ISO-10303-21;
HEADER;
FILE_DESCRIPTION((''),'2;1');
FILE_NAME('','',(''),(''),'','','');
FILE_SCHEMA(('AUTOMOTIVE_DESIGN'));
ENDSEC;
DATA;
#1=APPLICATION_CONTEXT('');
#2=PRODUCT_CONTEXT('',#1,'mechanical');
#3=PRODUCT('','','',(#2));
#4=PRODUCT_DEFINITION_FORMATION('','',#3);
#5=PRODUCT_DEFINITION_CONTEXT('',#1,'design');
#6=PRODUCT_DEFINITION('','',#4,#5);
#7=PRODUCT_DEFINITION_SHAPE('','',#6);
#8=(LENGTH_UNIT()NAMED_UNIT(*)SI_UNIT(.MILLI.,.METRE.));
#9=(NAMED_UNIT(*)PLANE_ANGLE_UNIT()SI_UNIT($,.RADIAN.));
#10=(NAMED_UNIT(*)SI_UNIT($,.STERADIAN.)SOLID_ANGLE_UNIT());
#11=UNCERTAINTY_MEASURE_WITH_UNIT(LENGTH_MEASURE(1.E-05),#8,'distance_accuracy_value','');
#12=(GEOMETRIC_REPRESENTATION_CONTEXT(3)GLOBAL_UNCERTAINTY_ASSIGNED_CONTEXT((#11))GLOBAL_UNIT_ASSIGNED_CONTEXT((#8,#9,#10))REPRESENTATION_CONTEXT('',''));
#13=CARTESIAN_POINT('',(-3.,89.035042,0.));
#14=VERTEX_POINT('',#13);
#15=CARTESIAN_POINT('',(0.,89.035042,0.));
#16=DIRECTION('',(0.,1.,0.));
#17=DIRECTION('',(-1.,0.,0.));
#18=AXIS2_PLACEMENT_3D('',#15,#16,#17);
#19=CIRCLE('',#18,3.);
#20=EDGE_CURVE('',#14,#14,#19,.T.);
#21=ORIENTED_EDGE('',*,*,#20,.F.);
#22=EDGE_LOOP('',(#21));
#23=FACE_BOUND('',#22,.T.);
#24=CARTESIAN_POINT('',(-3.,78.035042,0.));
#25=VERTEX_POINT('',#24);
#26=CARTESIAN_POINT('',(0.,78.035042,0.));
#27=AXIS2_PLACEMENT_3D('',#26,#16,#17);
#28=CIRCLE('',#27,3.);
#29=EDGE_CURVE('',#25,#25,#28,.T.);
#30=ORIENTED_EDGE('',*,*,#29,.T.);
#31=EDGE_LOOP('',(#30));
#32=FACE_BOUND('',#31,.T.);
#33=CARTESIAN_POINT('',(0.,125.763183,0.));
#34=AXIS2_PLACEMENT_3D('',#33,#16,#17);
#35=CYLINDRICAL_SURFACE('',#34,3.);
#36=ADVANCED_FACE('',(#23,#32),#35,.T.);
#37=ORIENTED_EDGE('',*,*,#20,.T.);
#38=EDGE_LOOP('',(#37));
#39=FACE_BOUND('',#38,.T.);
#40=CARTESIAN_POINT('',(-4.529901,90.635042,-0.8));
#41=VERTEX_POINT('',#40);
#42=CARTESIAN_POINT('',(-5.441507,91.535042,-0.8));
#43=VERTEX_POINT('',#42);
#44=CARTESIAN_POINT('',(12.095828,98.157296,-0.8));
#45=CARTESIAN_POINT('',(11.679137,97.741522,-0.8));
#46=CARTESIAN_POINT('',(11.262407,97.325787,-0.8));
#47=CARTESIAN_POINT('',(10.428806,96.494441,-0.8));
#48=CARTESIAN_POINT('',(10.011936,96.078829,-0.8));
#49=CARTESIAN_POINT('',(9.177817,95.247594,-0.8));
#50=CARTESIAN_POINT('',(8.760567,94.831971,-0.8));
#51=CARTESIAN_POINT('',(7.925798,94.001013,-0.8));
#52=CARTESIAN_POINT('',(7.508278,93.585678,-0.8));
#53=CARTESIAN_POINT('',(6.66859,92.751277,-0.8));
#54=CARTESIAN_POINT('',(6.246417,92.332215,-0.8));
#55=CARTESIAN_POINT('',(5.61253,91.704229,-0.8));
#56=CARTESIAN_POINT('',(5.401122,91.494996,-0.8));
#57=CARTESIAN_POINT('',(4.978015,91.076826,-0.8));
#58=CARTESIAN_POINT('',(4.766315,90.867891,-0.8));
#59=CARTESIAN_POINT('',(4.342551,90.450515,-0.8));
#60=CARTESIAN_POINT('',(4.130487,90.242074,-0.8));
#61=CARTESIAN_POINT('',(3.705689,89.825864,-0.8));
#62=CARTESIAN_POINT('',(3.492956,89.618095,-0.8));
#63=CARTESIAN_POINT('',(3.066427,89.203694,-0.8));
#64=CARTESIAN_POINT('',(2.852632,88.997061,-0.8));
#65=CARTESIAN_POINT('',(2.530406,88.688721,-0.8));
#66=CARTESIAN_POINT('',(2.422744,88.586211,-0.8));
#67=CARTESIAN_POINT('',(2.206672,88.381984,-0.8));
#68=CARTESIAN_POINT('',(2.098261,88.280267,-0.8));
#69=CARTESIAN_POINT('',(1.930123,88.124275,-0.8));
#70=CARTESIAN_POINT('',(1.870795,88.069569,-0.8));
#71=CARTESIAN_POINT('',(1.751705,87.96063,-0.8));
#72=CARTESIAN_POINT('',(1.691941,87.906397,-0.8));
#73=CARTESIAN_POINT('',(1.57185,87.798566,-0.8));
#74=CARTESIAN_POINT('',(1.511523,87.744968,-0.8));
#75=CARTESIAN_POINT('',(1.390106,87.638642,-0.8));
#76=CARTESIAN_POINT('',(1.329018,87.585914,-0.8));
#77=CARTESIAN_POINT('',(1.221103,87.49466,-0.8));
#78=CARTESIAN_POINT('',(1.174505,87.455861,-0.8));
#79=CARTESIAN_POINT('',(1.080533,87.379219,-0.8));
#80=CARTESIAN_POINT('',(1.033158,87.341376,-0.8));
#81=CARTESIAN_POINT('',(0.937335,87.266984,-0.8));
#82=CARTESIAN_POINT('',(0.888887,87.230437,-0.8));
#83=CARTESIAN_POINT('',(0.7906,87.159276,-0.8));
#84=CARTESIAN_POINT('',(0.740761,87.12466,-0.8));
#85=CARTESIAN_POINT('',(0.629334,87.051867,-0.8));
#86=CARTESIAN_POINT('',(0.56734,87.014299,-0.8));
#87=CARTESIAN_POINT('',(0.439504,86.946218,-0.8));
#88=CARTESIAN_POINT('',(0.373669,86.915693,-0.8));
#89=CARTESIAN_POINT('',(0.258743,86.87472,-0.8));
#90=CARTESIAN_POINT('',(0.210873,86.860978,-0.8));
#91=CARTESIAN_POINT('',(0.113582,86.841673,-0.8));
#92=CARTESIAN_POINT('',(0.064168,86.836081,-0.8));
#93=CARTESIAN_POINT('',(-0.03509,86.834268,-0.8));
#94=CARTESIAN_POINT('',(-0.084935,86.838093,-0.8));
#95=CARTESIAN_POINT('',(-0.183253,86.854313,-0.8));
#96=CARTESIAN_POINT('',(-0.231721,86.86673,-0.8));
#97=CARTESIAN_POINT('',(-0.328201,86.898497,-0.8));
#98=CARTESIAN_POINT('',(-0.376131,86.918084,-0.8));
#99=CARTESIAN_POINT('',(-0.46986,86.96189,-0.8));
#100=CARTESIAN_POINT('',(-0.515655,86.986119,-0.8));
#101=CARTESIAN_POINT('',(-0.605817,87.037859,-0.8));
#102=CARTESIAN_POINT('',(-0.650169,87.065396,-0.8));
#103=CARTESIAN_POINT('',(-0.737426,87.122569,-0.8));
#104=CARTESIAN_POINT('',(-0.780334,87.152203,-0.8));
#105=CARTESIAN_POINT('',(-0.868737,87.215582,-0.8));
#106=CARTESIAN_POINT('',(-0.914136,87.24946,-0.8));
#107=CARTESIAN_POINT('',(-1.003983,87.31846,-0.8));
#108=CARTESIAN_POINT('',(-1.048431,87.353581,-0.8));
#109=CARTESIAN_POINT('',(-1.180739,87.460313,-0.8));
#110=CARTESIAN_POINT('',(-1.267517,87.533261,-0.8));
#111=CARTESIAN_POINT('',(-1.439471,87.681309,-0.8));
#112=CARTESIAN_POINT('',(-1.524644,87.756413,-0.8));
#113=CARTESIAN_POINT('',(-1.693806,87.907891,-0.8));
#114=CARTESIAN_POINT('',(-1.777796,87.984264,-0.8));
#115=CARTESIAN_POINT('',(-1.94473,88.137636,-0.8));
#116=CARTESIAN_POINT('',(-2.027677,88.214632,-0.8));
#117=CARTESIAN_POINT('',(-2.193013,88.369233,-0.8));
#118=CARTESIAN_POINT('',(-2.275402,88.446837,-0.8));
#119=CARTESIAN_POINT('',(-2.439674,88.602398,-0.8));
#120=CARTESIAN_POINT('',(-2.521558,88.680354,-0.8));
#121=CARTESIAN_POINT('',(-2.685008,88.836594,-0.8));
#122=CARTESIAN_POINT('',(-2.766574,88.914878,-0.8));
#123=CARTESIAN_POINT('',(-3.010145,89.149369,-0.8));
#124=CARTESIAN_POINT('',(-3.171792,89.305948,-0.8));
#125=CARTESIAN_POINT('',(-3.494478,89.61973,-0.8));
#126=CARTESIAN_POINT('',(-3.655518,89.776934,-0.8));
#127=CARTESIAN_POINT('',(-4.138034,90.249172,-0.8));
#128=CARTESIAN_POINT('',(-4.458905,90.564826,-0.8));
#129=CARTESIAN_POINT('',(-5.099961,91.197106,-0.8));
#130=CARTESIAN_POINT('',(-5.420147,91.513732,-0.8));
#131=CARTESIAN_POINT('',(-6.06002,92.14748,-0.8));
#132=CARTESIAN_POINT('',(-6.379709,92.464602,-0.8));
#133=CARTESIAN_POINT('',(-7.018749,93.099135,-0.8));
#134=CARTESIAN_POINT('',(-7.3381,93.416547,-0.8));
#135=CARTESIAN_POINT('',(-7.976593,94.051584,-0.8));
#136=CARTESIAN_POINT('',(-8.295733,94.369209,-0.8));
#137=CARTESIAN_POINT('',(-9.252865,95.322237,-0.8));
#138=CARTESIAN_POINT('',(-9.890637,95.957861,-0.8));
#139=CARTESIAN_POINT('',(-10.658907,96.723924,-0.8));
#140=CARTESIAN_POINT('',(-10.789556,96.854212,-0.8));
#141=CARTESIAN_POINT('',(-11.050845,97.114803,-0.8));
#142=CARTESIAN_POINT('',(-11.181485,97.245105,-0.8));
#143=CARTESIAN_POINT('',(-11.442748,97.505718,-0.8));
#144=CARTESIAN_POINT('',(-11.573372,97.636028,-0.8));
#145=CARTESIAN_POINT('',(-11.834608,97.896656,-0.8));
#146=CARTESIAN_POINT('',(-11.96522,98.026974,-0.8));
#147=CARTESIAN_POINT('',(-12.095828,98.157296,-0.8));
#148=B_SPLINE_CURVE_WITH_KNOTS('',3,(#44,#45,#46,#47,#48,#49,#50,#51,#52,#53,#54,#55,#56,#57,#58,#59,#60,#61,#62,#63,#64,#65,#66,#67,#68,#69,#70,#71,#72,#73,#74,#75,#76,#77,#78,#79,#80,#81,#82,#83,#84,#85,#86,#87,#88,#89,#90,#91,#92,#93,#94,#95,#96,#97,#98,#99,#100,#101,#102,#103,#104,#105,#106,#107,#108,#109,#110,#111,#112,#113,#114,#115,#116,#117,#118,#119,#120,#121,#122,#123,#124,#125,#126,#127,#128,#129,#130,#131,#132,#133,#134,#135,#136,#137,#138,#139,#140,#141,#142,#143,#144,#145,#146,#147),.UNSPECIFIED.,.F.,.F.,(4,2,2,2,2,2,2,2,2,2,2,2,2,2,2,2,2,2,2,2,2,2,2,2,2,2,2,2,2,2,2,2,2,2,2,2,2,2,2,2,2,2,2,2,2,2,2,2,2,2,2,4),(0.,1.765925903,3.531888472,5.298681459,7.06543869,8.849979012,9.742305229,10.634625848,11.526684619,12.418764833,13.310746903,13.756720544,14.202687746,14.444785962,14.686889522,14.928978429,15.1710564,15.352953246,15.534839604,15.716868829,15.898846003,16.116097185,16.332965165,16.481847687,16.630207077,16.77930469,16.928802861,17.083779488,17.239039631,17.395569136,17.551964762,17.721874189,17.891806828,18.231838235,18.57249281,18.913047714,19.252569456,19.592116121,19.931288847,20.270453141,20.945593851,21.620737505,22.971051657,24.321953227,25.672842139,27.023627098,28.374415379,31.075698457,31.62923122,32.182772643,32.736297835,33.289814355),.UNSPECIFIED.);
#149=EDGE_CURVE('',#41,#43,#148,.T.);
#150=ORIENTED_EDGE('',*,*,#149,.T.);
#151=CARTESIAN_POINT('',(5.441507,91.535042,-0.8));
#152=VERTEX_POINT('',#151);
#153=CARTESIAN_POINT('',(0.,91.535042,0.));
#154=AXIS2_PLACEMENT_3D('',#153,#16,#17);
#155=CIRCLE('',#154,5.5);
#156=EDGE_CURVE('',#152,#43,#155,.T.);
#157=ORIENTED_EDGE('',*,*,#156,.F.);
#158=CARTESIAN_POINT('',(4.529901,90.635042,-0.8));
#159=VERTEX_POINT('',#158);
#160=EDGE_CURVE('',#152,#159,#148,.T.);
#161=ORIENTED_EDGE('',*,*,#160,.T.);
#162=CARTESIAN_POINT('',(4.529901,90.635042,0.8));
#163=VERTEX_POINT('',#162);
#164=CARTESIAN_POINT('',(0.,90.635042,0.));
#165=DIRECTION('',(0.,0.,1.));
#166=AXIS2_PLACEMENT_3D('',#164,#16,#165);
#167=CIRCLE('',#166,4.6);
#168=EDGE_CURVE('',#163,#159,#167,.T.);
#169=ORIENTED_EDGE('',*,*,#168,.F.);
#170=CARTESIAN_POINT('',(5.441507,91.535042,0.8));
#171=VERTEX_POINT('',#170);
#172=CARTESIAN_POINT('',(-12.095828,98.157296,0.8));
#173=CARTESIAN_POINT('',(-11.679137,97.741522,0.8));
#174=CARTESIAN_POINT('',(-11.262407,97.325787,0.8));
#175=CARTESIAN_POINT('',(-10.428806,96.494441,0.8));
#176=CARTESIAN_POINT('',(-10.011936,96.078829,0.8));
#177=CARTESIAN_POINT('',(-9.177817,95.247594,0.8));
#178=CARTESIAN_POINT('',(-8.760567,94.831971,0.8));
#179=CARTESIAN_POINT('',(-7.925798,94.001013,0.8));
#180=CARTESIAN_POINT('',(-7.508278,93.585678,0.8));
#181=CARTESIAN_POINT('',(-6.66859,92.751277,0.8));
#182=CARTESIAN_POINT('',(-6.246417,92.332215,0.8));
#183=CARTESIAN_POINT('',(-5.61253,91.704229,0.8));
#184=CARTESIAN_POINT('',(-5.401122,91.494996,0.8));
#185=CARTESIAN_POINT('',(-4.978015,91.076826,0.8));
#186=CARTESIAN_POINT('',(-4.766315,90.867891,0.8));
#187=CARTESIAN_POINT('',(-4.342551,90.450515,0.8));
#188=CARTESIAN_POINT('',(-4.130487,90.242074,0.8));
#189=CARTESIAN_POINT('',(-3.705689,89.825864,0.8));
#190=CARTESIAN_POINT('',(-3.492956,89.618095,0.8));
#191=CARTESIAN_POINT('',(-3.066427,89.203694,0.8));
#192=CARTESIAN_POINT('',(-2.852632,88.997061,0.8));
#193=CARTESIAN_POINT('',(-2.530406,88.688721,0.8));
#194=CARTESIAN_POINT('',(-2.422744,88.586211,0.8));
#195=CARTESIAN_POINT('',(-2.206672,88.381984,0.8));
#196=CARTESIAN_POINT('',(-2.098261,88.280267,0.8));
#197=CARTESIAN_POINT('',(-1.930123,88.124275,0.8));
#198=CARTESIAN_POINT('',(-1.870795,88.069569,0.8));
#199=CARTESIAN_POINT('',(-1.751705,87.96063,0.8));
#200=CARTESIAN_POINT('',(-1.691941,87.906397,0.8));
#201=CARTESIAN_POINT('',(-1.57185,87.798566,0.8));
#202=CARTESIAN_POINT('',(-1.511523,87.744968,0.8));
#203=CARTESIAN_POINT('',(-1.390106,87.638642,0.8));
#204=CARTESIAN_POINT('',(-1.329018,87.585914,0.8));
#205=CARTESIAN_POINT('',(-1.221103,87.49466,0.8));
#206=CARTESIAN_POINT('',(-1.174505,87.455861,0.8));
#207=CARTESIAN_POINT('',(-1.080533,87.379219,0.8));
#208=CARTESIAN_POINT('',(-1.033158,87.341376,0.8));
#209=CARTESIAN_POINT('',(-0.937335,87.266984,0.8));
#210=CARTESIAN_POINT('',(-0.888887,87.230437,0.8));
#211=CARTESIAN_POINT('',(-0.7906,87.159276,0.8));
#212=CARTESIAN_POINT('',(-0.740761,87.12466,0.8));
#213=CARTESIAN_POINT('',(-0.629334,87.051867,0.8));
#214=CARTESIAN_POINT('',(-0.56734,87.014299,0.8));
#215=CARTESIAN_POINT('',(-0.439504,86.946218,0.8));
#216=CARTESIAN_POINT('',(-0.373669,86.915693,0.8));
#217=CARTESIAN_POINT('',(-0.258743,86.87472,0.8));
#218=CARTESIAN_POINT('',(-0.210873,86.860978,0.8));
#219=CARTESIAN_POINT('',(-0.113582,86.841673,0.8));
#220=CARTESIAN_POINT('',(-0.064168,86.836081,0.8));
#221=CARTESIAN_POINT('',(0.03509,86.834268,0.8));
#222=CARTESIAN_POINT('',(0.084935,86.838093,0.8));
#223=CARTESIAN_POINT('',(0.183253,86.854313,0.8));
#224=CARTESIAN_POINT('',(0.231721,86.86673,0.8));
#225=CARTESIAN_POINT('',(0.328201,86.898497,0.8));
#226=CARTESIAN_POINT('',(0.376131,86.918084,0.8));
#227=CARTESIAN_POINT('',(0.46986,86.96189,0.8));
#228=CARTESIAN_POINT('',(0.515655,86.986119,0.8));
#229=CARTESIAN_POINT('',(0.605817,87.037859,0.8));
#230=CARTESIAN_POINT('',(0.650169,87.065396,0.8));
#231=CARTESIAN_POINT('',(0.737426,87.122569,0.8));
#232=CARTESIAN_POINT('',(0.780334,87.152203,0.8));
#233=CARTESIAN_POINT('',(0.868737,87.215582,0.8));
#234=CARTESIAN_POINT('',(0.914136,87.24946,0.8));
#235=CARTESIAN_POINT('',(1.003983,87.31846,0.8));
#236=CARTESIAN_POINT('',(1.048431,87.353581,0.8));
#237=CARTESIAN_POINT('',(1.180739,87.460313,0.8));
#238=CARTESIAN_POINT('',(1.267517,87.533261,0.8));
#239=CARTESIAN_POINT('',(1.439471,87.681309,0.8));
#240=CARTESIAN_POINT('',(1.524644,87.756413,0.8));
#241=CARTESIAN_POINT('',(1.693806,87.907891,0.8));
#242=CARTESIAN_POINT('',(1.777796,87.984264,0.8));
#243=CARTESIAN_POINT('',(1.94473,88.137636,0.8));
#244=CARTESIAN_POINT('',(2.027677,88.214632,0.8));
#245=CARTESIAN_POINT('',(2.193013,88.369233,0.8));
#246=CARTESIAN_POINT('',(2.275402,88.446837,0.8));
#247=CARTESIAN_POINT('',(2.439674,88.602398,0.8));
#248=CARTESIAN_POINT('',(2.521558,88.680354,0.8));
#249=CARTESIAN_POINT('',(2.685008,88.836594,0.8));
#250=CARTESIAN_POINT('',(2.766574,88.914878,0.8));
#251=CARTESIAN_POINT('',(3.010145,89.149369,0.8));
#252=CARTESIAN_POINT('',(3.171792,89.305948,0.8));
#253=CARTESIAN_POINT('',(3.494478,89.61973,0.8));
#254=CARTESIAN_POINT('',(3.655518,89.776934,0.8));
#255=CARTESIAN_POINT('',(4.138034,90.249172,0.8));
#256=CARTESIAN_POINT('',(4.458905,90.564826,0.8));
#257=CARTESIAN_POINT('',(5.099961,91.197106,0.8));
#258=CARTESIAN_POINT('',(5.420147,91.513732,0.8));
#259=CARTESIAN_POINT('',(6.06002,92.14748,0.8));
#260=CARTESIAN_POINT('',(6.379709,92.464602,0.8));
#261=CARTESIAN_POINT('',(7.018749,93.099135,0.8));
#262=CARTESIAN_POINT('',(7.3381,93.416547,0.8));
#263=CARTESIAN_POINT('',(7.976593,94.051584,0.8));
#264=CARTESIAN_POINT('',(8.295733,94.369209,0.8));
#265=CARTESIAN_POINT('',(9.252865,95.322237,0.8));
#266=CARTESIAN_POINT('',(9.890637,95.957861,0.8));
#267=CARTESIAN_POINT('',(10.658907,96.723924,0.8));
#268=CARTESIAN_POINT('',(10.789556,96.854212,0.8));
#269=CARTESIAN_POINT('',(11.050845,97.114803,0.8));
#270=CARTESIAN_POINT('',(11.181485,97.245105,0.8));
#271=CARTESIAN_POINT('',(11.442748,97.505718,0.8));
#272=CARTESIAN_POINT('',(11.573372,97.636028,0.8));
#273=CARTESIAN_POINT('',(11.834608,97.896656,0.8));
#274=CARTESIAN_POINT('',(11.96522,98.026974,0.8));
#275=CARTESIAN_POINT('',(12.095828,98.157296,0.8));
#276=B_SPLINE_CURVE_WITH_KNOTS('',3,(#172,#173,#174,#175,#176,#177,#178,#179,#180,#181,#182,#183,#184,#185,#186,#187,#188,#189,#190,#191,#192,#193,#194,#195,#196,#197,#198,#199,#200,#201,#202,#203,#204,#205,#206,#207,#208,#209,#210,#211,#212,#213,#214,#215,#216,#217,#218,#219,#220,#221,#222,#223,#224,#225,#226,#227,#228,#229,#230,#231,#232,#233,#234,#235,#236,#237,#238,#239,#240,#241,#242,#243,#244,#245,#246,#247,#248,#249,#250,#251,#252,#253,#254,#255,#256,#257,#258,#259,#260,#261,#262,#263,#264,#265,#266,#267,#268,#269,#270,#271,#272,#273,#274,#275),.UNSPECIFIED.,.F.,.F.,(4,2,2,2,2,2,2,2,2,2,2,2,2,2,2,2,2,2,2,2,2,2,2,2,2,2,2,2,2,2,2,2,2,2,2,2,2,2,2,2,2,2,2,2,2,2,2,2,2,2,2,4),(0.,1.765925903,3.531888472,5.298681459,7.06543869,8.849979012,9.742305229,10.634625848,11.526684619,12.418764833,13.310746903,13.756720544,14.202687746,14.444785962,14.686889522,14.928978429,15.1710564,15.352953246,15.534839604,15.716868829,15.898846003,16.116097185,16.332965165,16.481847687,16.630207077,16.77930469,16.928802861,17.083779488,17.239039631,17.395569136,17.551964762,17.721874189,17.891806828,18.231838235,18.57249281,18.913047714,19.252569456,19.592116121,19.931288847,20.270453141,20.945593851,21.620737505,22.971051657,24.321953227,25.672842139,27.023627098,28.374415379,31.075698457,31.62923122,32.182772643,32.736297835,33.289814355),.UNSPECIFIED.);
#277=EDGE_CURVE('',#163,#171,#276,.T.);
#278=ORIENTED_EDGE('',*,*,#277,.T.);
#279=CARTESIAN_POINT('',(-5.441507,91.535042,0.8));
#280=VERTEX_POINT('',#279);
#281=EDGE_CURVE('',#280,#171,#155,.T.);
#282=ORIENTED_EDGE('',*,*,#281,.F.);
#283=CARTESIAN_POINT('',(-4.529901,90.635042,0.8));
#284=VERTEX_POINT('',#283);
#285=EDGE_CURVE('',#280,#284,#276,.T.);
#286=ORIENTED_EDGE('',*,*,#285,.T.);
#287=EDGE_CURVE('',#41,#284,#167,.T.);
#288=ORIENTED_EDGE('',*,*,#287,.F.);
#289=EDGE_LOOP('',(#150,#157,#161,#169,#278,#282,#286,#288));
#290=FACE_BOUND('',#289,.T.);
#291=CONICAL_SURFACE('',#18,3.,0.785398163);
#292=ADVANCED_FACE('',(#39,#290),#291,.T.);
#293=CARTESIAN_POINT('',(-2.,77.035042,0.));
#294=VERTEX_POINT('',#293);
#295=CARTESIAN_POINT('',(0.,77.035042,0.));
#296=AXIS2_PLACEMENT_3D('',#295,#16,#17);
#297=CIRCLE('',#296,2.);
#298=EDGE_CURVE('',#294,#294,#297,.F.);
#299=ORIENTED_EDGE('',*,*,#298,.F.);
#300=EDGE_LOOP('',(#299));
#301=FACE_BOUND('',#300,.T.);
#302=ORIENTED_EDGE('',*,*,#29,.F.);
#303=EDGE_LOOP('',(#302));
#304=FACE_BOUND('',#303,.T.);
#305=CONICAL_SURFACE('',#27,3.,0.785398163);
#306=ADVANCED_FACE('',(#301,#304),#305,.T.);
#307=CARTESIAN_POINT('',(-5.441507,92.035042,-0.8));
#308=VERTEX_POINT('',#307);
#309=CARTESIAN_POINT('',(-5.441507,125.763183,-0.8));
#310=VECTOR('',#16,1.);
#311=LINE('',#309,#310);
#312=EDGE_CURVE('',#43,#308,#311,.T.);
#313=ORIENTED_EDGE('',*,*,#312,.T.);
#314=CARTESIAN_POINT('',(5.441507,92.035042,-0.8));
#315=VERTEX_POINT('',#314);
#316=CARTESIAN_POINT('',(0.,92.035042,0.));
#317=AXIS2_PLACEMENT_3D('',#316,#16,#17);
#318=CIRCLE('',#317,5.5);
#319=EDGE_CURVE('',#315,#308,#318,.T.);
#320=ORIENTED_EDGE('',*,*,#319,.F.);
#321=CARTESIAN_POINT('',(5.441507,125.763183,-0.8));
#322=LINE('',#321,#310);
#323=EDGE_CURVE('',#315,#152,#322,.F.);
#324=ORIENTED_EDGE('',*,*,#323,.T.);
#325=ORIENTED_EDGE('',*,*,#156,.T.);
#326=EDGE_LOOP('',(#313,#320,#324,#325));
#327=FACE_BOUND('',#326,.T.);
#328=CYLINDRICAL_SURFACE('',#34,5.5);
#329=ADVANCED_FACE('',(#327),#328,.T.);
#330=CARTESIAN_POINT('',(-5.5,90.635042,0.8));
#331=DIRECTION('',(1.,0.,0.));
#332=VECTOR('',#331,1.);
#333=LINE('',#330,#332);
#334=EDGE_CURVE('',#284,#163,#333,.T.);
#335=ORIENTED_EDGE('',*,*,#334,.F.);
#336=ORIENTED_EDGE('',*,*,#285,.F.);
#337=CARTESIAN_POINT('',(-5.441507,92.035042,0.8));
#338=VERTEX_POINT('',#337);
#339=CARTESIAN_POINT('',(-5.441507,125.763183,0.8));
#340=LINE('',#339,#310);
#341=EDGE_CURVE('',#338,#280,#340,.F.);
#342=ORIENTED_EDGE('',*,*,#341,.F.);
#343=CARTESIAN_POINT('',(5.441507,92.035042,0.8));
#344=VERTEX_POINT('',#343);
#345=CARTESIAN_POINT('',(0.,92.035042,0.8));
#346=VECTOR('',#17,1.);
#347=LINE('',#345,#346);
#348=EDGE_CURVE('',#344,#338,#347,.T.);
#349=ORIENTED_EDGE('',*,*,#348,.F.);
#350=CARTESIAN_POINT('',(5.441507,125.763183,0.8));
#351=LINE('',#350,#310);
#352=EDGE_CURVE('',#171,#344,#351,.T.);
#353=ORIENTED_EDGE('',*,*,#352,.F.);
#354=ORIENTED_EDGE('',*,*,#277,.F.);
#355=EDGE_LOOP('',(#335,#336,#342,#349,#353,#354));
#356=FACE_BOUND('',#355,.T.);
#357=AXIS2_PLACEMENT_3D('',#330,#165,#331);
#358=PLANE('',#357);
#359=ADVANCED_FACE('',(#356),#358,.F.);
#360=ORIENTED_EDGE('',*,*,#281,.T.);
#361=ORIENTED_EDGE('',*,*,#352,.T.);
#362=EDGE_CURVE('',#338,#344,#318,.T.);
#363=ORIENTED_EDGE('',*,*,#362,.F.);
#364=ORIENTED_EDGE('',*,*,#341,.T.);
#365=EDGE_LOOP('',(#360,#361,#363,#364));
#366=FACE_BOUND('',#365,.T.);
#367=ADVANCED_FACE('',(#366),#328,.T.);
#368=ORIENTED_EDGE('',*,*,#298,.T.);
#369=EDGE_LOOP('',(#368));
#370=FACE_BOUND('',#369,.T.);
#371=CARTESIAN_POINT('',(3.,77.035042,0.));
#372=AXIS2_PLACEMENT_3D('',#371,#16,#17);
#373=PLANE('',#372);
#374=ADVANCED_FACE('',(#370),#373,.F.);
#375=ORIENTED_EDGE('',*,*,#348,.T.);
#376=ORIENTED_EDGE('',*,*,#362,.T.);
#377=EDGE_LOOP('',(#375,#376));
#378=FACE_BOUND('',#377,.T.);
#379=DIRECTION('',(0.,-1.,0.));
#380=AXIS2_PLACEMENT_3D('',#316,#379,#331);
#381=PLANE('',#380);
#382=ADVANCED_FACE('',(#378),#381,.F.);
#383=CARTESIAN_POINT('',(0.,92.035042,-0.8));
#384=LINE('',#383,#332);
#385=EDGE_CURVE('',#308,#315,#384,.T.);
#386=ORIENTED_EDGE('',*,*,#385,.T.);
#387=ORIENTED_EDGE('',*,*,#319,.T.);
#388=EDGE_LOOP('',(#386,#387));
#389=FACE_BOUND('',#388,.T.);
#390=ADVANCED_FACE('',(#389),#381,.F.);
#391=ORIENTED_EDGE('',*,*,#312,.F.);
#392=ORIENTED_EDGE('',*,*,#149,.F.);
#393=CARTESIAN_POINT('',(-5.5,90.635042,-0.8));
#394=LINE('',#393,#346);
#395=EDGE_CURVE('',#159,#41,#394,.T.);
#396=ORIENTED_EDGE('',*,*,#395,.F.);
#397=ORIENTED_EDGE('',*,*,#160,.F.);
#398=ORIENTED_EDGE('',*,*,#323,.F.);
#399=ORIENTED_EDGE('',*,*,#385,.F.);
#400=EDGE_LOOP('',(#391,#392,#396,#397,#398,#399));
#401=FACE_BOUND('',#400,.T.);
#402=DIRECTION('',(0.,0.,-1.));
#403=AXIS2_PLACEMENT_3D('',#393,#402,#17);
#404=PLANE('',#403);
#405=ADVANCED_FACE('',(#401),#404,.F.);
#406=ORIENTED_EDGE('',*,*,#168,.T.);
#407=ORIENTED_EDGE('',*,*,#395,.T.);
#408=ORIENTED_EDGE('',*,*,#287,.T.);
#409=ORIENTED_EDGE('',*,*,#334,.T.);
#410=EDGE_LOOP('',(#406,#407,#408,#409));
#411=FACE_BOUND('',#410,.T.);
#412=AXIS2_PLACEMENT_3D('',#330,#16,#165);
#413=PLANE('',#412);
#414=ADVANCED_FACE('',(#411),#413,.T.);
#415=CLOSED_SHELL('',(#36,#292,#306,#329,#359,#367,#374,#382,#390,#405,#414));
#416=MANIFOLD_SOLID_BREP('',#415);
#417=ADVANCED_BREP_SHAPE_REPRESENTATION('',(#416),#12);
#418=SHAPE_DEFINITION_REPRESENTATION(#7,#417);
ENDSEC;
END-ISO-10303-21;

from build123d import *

# Parameters (mm, degrees)
SKETCH_13_W         = 11
SKETCH_13_H         = 1.6
CUT_EXTRUDE_9_DEPTH = 1.4
CHAMFER_1_SIZE      = 1


with BuildPart() as part:
    # Эскиз1 → Повернуть1 (revolve)
    with BuildSketch(Plane.XY):
        Polygon((0, 92.035042223), (0, 77.035042223), (3, 77.035042223), (3, 89.035042223), (5.5, 91.535042223), (5.5, 92.035042223), align=None)
    revolve(axis=Axis((0, 125.763182898, 0), (0, -1, 0)))

    # Эскиз13 → Вырез-Вытянуть9 (cut)
    with BuildSketch(Plane(origin=(0, 92.035042223, 0), x_dir=(-1, 0, 0), z_dir=(0, 1, 0))):
        Rectangle(SKETCH_13_W, SKETCH_13_H)
    extrude(amount=-CUT_EXTRUDE_9_DEPTH, mode=Mode.SUBTRACT)

    # Фаска1
    chamfer_1_edges = [part.edges().sort_by_distance(p)[0] for p in [
        (-3, 77.035042223, 0),
    ]]
    chamfer(chamfer_1_edges, length=CHAMFER_1_SIZE)


solid = part.part
